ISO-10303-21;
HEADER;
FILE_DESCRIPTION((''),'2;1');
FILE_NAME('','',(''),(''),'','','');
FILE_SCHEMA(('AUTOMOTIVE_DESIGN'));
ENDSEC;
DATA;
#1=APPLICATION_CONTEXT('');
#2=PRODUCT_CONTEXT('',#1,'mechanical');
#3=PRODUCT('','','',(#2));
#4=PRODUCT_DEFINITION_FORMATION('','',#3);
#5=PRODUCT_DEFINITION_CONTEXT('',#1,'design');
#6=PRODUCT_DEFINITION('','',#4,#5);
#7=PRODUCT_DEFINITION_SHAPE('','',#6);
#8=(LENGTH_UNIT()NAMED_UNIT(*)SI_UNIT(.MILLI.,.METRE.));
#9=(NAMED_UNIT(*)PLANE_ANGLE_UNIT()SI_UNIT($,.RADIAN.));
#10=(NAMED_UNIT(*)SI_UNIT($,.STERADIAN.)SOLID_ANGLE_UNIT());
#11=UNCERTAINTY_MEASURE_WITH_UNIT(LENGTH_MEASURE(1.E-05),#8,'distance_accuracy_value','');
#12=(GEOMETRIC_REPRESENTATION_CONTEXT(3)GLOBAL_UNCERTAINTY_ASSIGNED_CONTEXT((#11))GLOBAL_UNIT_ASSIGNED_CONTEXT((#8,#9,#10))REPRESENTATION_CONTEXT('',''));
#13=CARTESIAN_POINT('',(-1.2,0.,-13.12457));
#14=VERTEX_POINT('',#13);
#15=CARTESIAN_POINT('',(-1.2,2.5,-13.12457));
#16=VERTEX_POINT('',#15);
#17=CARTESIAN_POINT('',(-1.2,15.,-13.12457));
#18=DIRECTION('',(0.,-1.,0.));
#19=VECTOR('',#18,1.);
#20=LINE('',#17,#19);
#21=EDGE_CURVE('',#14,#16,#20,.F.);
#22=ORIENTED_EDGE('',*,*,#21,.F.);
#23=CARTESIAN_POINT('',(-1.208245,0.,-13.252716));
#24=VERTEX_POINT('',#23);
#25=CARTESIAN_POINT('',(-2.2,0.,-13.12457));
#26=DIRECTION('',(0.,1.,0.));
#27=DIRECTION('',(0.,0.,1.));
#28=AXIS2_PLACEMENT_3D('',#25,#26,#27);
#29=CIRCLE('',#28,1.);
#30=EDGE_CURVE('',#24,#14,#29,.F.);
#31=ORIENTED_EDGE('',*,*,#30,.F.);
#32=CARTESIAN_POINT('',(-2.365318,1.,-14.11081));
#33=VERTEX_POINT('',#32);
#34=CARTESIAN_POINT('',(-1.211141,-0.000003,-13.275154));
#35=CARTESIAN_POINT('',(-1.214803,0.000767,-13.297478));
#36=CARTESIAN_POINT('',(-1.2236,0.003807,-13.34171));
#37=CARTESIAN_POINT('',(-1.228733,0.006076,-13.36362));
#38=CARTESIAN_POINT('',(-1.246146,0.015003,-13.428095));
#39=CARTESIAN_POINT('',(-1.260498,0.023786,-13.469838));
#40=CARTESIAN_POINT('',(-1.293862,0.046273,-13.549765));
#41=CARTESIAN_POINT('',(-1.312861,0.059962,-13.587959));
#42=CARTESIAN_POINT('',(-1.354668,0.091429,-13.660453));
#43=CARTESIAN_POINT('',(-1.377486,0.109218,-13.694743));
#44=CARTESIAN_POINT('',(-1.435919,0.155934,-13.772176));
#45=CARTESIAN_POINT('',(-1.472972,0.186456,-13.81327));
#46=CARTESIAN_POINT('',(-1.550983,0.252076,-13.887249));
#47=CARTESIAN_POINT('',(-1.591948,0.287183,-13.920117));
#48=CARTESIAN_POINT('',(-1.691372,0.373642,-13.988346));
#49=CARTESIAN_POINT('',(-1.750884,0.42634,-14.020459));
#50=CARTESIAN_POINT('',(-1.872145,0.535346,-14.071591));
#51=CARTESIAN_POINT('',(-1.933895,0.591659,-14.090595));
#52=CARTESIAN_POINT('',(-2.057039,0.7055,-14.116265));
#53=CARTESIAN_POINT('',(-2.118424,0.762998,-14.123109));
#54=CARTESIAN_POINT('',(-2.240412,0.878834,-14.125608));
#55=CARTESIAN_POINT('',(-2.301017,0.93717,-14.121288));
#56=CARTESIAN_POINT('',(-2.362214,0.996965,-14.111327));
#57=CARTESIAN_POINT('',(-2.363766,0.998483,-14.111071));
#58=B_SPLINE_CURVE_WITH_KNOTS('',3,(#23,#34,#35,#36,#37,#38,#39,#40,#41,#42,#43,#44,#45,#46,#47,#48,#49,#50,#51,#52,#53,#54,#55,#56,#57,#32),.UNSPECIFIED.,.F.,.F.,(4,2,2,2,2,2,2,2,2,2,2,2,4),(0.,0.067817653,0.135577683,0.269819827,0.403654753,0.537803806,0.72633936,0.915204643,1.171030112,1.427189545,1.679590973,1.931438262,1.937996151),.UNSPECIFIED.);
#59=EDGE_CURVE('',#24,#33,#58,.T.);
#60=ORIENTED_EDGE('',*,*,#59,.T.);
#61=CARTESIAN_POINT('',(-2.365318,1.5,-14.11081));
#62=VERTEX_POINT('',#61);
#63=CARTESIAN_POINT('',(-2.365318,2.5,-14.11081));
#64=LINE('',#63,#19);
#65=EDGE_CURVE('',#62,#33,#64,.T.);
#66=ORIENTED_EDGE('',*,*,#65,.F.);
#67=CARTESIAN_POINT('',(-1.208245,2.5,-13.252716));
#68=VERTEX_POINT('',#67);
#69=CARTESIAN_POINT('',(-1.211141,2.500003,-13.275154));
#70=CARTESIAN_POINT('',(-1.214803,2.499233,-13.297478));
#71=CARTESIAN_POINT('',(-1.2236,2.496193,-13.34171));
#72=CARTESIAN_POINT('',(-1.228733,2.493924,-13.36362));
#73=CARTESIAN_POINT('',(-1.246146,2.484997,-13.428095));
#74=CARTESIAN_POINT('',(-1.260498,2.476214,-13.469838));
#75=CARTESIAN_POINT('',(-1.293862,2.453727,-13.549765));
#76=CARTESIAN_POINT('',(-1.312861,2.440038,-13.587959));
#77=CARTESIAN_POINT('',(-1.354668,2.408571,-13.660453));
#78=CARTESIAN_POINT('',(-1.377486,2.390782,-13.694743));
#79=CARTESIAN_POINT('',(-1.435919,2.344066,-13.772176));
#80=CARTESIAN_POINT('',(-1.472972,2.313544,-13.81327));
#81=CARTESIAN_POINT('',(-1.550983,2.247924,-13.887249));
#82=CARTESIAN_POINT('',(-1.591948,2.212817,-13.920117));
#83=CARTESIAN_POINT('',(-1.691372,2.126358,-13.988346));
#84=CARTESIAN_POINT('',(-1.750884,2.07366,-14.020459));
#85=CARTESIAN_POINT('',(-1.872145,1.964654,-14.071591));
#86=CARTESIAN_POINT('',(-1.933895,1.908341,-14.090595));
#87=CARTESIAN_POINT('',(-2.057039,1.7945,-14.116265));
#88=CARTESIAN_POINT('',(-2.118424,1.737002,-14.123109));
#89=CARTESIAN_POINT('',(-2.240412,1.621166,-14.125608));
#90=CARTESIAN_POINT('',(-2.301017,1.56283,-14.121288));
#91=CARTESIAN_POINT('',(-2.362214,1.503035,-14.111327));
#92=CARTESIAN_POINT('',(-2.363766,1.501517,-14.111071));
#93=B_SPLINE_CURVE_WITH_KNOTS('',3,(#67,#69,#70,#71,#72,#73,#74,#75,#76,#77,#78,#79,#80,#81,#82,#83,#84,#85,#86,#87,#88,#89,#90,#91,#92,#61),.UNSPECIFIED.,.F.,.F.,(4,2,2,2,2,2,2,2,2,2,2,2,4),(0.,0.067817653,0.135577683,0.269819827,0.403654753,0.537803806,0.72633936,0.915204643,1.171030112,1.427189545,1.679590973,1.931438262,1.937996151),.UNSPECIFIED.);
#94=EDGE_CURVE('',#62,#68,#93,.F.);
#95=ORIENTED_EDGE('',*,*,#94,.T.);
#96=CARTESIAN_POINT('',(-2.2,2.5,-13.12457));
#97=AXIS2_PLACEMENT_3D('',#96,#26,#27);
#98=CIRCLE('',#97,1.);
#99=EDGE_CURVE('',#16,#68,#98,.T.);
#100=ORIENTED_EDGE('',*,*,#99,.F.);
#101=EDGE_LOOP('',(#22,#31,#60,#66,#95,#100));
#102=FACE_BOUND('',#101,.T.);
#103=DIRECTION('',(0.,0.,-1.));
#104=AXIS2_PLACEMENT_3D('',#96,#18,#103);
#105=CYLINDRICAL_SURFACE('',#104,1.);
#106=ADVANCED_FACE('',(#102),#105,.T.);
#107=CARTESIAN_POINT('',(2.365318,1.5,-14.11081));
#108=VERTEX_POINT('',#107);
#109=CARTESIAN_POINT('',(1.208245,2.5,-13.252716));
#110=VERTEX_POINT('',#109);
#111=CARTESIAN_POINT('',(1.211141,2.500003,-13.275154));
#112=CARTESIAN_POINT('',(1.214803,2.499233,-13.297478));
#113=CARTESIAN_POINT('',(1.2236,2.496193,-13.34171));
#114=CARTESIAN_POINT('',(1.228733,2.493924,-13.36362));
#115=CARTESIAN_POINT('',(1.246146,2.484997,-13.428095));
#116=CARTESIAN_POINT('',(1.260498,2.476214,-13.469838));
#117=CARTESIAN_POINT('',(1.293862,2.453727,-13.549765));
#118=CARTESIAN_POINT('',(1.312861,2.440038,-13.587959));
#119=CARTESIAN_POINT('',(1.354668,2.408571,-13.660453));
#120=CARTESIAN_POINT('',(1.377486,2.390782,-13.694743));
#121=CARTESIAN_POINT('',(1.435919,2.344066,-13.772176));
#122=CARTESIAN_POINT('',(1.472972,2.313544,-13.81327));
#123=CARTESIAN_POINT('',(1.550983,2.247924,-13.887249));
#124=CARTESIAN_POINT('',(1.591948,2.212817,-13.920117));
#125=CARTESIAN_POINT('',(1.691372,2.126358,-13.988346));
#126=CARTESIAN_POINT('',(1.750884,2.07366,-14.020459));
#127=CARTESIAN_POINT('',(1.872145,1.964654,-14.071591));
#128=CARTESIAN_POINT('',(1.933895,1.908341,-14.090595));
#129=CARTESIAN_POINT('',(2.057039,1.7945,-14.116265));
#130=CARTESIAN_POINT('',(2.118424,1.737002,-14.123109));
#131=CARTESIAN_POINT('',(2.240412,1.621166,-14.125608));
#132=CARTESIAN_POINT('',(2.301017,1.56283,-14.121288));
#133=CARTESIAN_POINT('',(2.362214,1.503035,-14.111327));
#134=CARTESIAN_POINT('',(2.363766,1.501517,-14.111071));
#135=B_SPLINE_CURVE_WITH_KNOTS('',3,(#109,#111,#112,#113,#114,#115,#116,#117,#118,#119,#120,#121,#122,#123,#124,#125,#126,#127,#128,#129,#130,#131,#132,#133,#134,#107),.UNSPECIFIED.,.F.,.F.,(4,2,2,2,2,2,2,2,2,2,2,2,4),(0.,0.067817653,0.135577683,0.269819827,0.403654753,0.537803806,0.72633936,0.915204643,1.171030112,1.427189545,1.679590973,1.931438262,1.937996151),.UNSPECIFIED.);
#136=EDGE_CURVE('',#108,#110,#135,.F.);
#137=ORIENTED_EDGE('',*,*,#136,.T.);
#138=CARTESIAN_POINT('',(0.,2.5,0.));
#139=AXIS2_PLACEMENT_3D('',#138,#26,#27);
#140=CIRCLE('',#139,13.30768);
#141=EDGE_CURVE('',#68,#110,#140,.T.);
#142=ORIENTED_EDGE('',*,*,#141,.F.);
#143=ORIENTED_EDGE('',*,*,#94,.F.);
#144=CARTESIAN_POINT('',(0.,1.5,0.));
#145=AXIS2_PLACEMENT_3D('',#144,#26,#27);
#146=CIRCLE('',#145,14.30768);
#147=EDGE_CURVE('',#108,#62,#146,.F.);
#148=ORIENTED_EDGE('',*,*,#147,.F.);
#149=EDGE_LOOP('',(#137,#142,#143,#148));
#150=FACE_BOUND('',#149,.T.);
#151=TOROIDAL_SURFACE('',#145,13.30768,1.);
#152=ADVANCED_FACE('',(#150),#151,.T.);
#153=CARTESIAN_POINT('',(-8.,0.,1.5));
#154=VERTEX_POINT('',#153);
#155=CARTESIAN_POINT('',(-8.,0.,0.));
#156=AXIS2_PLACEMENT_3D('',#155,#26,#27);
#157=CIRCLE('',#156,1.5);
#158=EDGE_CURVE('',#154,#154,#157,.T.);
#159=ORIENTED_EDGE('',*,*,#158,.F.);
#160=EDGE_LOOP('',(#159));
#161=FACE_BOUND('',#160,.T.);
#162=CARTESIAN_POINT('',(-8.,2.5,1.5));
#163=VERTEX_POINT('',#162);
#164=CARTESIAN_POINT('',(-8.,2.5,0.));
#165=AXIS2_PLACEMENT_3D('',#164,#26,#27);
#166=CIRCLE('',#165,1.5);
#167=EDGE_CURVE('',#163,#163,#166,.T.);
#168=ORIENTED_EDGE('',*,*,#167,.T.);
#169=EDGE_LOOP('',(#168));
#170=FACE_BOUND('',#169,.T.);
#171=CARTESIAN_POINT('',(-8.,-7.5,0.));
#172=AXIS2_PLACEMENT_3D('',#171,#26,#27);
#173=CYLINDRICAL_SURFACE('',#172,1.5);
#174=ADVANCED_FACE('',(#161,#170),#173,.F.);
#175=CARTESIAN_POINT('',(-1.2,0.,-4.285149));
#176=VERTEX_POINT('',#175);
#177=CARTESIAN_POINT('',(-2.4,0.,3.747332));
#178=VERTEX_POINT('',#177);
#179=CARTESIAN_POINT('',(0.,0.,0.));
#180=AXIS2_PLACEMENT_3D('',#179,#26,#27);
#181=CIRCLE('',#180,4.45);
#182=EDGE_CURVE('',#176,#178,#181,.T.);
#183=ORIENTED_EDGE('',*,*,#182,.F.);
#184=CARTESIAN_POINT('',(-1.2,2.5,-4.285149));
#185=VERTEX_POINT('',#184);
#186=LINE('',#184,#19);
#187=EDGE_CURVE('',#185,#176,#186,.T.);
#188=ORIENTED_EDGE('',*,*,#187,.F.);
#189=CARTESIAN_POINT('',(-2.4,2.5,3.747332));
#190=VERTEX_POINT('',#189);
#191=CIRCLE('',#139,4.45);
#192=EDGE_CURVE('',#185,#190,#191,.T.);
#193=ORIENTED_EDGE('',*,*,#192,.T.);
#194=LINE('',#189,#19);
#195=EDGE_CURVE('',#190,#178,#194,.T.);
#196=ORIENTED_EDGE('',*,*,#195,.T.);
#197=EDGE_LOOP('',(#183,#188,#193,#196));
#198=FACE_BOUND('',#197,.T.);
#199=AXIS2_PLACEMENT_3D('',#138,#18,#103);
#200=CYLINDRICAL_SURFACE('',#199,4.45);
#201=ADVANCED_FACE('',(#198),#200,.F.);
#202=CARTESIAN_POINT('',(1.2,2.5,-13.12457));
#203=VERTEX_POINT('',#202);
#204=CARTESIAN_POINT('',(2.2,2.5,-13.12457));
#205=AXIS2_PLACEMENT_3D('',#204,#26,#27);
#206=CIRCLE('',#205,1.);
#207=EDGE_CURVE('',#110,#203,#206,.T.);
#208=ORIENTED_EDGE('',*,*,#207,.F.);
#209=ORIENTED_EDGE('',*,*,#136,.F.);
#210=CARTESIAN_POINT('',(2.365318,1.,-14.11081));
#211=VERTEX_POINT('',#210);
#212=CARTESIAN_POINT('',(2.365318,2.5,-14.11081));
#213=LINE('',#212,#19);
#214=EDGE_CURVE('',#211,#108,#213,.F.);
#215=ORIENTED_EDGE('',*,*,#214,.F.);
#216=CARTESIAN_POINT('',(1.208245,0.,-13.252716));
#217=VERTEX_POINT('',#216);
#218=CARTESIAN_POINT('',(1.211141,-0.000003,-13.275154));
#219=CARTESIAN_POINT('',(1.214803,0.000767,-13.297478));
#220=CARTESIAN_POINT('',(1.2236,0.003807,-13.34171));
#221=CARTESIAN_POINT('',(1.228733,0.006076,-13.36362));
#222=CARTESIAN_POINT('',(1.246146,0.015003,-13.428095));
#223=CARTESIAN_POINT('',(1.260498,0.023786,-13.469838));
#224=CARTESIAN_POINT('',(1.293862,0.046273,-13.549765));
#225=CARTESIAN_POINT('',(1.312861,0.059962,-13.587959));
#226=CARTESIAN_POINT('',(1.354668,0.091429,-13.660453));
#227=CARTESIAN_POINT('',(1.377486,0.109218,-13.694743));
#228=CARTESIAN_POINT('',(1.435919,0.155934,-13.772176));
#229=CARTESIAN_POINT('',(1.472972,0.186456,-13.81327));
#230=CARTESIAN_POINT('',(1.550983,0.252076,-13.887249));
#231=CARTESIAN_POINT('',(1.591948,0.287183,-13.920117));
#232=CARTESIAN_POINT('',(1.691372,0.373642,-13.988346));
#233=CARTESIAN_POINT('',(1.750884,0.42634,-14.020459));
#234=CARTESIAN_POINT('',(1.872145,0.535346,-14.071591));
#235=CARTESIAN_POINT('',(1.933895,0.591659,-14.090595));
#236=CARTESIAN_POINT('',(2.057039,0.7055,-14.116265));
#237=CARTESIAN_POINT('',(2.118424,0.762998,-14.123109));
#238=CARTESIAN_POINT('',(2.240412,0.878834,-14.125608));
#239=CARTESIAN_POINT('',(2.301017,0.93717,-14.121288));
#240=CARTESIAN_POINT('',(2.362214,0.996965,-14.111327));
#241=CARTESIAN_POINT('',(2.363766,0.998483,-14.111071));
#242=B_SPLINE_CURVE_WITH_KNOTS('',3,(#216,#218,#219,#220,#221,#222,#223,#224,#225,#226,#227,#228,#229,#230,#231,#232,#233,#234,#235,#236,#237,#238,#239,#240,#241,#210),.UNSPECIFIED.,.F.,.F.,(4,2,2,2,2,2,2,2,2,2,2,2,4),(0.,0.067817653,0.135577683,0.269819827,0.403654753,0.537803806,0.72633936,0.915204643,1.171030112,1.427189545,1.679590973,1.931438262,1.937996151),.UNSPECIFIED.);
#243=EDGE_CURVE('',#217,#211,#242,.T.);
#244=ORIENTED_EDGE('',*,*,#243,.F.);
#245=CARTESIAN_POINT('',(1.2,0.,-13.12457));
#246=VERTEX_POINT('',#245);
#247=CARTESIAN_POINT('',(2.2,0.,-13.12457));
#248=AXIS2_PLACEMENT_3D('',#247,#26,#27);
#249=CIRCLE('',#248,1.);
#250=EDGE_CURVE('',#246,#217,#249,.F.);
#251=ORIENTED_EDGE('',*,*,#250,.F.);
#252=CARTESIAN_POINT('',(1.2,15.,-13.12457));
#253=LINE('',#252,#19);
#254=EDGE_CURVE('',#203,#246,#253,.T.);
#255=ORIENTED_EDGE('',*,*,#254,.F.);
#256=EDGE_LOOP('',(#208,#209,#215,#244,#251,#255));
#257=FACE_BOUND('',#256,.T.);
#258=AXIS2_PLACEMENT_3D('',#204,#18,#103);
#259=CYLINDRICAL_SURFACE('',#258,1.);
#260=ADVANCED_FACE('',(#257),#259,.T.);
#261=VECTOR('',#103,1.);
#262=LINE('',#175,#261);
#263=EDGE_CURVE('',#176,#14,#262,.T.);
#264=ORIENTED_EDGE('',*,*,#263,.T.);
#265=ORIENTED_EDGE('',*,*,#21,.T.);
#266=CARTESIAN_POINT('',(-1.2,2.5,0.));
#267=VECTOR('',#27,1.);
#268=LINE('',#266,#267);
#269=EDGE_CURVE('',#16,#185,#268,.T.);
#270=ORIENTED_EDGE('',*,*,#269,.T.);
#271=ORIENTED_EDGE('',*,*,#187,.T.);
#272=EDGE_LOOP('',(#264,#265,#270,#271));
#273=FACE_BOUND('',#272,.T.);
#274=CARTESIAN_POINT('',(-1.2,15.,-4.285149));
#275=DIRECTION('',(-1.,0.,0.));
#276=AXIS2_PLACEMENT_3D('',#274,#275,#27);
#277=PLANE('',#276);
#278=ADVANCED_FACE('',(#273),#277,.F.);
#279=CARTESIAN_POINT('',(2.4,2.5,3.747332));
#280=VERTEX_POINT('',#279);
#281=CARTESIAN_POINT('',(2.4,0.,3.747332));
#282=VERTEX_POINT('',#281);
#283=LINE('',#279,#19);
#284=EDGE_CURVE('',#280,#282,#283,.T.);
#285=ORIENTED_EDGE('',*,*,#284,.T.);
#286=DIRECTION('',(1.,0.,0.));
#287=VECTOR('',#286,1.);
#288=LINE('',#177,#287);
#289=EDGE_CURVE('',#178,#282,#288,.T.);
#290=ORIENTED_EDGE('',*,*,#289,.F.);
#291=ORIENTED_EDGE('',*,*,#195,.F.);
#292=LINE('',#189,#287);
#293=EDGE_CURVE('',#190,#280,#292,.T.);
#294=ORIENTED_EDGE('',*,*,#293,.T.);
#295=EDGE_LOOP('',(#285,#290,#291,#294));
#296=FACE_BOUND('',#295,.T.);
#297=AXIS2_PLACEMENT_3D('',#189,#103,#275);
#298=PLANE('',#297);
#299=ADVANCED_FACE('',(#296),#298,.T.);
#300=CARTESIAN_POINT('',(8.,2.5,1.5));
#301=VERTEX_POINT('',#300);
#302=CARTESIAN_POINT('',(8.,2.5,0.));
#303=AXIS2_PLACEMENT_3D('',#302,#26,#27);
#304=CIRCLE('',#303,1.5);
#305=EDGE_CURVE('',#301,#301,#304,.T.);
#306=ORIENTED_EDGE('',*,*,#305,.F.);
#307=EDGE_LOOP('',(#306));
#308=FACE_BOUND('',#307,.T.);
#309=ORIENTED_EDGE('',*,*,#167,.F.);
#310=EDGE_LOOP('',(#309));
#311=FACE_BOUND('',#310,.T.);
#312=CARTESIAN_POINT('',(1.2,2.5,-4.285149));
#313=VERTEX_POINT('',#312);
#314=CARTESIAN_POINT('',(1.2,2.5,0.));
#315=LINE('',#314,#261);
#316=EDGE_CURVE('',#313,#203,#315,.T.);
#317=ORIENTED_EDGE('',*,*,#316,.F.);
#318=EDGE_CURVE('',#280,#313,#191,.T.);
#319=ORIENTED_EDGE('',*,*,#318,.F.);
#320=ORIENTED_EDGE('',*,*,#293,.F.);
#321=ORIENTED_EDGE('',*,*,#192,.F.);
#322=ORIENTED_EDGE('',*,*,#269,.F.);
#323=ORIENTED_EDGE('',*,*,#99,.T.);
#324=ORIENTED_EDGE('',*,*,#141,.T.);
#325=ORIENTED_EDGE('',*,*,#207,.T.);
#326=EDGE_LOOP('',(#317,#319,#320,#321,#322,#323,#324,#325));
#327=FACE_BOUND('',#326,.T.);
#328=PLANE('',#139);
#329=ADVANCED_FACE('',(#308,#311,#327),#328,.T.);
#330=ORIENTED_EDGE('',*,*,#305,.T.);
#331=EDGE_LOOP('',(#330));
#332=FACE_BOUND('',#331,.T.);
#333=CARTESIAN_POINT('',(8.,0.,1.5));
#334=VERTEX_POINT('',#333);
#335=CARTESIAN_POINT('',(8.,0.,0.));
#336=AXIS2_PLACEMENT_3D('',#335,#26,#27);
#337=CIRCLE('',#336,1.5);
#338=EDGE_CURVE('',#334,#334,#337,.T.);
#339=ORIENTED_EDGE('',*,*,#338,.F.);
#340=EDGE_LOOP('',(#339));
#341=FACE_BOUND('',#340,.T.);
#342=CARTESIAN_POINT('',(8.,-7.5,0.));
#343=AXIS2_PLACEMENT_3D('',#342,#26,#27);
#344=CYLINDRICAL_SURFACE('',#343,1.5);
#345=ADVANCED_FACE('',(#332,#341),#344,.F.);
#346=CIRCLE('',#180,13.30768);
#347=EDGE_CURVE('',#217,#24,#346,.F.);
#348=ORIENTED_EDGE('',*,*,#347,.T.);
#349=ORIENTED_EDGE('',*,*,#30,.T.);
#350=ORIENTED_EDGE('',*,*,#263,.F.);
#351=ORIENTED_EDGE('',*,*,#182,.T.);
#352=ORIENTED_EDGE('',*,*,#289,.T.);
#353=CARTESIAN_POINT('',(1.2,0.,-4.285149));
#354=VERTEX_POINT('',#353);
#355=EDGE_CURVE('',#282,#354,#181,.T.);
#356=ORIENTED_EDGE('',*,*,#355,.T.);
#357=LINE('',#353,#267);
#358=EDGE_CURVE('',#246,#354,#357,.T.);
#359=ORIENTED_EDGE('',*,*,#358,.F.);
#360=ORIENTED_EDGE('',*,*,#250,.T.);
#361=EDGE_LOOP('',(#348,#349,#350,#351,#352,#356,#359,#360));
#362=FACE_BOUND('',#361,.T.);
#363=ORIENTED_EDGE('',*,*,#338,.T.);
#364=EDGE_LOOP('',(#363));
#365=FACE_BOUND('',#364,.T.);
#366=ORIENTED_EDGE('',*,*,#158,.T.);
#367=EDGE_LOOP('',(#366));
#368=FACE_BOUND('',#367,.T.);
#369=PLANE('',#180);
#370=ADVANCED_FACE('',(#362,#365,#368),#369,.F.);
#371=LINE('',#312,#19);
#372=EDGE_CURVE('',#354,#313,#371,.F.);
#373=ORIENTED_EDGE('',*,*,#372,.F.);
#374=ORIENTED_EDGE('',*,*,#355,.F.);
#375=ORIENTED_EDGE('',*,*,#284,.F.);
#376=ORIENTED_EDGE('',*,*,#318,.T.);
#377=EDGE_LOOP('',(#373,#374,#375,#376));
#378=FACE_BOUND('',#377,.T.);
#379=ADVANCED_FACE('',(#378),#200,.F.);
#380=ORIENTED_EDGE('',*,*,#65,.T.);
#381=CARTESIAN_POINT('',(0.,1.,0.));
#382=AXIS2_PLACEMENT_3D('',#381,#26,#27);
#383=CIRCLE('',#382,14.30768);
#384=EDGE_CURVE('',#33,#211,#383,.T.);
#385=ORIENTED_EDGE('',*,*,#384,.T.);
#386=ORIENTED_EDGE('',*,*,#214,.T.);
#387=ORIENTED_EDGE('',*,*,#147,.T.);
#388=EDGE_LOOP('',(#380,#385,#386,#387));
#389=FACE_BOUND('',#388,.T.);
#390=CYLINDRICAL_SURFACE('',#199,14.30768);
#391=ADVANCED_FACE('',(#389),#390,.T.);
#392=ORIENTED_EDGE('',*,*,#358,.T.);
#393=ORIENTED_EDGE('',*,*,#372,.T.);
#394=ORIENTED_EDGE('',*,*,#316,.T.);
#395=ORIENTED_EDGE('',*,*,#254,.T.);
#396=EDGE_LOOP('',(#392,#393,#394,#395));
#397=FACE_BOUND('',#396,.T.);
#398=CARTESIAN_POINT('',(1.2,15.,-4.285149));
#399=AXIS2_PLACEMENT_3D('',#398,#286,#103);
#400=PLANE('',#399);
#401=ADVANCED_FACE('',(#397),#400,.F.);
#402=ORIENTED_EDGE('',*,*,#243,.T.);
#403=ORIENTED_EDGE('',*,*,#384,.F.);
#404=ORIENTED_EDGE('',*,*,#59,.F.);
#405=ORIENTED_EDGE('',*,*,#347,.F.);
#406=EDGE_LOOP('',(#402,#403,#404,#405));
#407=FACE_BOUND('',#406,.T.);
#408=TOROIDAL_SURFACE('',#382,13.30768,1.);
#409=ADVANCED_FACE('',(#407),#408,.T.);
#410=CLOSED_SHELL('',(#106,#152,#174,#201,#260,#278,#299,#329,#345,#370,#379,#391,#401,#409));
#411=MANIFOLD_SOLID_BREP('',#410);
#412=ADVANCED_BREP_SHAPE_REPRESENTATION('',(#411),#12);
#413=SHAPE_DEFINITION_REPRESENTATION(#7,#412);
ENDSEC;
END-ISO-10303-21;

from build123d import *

# Parameters (mm, degrees)
SKETCH1_R           = 14.307679757
BOSS_EXTRUDE1_DEPTH = 2.5
CUT_EXTRUDE1_DEPTH  = 15
FILLET1_R           = 1
SKETCH6_R           = 1.5
CUT_EXTRUDE2_DEPTH  = 10


with BuildPart() as part:
    # Sketch1 → Boss-Extrude1 (new body)
    with BuildSketch(Plane(origin=(0, 0, 0), x_dir=(1, 0, 0), z_dir=(0, 1, 0))):
        Circle(SKETCH1_R)
        with BuildLine():
            Line((-2.4, -3.747332385), (2.4, -3.747332385))
            ThreePointArc((2.4, -3.747332385), (0, 4.45), (-2.4, -3.747332385))
        make_face(mode=Mode.SUBTRACT)
    extrude(amount=BOSS_EXTRUDE1_DEPTH)

    # Sketch4 → Cut-Extrude1 (cut)
    with BuildSketch(Plane.XZ):
        with BuildLine():
            Line((-1.2, -4.285148772), (-1.2, -14.257268323))
            ThreePointArc((-1.2, -14.257268323), (0, -14.307679757), (1.2, -14.257268323))
            Line((1.2, -14.257268323), (1.2, -4.285148772))
            ThreePointArc((1.2, -4.285148772), (0, -4.45), (-1.2, -4.285148772))
        make_face()
    extrude(amount=-CUT_EXTRUDE1_DEPTH, mode=Mode.SUBTRACT)

    # Fillet1
    fillet1_edges = [part.edges().sort_by_distance(p)[0] for p in [
        (-1.2, 1.25, -14.257268323),
        (0, 2.5, 14.307679757),
        (1.2, 1.25, -14.257268323),
        (0, 0, 14.307679757),
    ]]
    fillet(fillet1_edges, radius=FILLET1_R)

    # Sketch6 → Cut-Extrude2 (cut)
    with BuildSketch(Plane(origin=(0, 2.5, 0), x_dir=(1, 0, 0), z_dir=(0, 1, 0))):
        with Locations((8, 0)):
            Circle(SKETCH6_R)
        with Locations((-8, 0)):
            Circle(SKETCH6_R)
    extrude(amount=-CUT_EXTRUDE2_DEPTH, mode=Mode.SUBTRACT)


solid = part.part
